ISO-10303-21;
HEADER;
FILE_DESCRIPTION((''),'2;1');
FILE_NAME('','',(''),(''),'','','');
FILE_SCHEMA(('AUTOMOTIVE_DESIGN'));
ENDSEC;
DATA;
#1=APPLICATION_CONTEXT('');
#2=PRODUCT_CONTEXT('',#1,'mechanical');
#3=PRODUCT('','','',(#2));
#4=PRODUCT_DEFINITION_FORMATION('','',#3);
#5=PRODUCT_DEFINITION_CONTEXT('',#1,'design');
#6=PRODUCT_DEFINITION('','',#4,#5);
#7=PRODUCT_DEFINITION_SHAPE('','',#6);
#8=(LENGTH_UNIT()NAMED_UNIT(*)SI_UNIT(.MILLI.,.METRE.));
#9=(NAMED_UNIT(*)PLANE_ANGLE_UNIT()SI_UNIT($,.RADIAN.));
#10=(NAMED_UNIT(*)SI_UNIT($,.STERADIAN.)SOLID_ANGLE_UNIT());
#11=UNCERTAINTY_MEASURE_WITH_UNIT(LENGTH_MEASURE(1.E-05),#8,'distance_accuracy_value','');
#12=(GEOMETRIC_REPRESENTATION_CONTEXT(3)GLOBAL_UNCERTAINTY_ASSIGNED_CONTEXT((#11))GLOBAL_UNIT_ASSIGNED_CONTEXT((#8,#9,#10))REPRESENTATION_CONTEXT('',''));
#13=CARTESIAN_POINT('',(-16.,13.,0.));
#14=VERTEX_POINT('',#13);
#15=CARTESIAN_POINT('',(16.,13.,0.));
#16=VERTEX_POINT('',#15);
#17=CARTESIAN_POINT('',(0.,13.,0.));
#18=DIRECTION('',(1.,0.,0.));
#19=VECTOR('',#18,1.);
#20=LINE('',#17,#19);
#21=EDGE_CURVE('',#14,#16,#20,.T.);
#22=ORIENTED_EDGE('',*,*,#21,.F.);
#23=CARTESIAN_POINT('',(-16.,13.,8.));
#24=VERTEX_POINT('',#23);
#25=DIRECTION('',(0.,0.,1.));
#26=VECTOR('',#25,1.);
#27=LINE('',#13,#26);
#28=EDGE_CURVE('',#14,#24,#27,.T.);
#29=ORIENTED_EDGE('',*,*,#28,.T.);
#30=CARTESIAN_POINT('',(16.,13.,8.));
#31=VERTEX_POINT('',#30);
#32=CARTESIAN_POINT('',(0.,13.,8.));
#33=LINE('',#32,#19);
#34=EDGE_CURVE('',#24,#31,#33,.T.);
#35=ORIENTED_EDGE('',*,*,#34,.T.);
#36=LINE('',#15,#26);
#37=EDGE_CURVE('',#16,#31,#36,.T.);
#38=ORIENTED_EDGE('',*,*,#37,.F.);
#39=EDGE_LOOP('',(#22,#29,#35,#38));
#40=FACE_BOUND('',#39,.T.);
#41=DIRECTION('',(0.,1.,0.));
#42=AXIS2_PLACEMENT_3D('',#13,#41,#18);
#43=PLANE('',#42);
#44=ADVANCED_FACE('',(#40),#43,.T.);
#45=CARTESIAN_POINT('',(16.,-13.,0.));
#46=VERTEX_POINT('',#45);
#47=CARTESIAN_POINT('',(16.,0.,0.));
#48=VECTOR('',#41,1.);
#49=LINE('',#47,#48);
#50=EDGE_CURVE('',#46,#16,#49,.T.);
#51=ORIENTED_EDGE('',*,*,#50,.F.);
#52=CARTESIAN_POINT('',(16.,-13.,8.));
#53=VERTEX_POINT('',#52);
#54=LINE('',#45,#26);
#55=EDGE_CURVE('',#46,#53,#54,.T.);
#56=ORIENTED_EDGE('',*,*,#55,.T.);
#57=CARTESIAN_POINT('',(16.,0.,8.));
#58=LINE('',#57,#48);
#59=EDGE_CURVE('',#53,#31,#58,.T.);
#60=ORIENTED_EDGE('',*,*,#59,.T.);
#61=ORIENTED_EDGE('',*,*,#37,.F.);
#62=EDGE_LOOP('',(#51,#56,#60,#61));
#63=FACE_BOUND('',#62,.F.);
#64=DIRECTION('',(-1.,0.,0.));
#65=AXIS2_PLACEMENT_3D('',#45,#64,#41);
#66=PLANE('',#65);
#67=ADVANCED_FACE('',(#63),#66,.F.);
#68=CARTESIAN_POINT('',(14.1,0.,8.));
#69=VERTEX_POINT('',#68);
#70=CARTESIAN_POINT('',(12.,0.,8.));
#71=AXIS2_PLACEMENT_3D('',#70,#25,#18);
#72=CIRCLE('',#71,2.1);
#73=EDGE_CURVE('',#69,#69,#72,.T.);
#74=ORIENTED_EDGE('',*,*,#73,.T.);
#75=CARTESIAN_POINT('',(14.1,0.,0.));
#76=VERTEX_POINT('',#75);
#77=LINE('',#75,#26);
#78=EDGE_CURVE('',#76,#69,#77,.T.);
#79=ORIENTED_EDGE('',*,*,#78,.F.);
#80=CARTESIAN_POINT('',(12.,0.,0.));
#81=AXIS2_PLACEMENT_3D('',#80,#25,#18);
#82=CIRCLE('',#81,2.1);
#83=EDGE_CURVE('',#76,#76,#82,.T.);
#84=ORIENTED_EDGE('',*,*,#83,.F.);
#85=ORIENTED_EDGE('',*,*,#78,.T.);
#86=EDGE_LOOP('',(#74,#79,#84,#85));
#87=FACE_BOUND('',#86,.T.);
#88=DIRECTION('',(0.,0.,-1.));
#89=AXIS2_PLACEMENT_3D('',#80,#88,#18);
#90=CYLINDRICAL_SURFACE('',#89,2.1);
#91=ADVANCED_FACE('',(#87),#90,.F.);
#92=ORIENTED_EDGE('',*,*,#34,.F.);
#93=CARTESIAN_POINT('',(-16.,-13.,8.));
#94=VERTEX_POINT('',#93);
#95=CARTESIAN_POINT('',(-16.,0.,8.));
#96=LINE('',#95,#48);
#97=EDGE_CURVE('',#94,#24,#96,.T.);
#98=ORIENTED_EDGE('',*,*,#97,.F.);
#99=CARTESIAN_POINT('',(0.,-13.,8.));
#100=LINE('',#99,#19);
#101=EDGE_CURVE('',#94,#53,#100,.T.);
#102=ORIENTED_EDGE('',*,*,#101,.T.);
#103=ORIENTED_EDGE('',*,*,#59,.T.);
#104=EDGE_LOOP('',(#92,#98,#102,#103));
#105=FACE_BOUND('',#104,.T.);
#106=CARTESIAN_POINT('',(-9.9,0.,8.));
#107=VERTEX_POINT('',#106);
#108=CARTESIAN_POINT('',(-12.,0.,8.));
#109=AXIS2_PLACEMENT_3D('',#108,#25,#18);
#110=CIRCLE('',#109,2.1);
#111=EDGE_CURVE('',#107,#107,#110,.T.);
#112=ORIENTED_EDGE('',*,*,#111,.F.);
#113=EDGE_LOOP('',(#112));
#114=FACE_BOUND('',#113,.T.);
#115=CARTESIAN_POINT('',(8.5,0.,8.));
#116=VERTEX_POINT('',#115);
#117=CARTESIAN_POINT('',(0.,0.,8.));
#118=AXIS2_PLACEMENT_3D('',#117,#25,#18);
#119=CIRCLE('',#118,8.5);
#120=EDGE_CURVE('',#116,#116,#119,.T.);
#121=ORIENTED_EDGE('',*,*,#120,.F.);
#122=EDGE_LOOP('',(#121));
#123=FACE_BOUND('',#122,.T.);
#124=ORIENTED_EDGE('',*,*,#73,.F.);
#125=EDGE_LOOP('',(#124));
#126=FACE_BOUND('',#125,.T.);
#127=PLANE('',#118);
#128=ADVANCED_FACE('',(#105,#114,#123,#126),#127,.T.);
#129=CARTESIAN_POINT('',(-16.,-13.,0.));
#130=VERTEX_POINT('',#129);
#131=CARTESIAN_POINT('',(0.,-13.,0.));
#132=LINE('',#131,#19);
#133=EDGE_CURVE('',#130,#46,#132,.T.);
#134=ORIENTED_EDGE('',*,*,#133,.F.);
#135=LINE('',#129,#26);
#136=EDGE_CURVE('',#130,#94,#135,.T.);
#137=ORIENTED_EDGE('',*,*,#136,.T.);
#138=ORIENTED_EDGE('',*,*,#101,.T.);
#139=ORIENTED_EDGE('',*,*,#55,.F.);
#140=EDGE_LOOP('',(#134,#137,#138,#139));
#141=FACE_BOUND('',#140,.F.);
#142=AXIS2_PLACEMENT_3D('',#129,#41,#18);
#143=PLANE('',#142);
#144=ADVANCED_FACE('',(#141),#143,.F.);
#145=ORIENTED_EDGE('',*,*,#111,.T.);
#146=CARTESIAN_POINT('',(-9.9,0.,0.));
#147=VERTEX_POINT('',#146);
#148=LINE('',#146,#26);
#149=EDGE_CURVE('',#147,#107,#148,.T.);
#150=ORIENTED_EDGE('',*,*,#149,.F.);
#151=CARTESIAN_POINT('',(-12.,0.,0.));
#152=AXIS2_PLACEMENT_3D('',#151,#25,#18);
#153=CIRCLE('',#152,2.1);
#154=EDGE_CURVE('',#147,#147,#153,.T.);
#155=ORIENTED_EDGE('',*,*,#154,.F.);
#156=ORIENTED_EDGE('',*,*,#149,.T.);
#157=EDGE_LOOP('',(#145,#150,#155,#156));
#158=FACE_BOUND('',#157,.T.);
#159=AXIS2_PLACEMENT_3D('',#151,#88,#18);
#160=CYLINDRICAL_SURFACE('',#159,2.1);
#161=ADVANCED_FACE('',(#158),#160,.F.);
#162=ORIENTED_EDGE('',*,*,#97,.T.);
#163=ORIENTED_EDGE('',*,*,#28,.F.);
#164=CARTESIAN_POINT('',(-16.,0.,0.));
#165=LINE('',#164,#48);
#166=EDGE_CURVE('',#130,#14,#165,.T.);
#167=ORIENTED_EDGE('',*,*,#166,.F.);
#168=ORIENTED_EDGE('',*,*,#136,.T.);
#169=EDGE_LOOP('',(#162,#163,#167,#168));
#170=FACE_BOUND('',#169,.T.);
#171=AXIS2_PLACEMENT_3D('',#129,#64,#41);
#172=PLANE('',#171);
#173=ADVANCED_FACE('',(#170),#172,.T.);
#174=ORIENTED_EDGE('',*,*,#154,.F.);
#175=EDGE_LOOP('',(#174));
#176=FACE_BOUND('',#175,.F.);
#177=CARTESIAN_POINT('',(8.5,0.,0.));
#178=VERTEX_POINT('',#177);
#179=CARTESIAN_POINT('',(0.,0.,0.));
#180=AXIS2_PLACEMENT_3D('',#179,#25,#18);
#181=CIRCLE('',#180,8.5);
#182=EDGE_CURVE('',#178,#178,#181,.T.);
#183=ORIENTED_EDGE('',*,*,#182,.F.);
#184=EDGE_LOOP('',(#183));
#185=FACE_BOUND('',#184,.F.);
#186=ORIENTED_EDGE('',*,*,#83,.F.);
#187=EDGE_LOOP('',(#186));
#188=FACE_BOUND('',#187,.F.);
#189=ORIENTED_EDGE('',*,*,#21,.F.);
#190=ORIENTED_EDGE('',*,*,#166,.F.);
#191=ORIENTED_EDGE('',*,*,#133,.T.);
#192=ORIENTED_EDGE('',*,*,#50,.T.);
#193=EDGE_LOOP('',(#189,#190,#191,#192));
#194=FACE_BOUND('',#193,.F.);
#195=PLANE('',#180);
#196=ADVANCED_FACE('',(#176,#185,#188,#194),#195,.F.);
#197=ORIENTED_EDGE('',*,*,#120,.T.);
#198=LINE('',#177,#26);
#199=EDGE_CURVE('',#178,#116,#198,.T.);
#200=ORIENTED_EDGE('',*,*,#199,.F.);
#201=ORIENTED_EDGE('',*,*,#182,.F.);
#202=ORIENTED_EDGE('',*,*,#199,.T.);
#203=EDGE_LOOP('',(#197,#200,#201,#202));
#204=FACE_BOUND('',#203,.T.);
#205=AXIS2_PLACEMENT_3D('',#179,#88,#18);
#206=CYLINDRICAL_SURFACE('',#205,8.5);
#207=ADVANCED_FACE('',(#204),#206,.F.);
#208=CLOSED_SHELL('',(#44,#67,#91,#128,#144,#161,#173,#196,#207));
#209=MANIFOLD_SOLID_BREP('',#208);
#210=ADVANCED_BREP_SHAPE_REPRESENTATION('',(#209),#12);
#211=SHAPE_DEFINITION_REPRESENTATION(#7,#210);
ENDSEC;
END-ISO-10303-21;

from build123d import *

# Parameters (mm, degrees)
SKETCH_W   = 32
SKETCH_H   = 26
SKETCH_R   = 8.5
SKETCH_R_2 = 2.1
PAD_DEPTH  = 8


with BuildPart() as part:
    # Sketch → Pad (new body)
    with BuildSketch(Plane.XY):
        Rectangle(SKETCH_W, SKETCH_H)
        Circle(SKETCH_R, mode=Mode.SUBTRACT)
        with Locations((-12, 0)):
            Circle(SKETCH_R_2, mode=Mode.SUBTRACT)
        with Locations((12, 0)):
            Circle(SKETCH_R_2, mode=Mode.SUBTRACT)
    extrude(amount=PAD_DEPTH)


solid = part.part
